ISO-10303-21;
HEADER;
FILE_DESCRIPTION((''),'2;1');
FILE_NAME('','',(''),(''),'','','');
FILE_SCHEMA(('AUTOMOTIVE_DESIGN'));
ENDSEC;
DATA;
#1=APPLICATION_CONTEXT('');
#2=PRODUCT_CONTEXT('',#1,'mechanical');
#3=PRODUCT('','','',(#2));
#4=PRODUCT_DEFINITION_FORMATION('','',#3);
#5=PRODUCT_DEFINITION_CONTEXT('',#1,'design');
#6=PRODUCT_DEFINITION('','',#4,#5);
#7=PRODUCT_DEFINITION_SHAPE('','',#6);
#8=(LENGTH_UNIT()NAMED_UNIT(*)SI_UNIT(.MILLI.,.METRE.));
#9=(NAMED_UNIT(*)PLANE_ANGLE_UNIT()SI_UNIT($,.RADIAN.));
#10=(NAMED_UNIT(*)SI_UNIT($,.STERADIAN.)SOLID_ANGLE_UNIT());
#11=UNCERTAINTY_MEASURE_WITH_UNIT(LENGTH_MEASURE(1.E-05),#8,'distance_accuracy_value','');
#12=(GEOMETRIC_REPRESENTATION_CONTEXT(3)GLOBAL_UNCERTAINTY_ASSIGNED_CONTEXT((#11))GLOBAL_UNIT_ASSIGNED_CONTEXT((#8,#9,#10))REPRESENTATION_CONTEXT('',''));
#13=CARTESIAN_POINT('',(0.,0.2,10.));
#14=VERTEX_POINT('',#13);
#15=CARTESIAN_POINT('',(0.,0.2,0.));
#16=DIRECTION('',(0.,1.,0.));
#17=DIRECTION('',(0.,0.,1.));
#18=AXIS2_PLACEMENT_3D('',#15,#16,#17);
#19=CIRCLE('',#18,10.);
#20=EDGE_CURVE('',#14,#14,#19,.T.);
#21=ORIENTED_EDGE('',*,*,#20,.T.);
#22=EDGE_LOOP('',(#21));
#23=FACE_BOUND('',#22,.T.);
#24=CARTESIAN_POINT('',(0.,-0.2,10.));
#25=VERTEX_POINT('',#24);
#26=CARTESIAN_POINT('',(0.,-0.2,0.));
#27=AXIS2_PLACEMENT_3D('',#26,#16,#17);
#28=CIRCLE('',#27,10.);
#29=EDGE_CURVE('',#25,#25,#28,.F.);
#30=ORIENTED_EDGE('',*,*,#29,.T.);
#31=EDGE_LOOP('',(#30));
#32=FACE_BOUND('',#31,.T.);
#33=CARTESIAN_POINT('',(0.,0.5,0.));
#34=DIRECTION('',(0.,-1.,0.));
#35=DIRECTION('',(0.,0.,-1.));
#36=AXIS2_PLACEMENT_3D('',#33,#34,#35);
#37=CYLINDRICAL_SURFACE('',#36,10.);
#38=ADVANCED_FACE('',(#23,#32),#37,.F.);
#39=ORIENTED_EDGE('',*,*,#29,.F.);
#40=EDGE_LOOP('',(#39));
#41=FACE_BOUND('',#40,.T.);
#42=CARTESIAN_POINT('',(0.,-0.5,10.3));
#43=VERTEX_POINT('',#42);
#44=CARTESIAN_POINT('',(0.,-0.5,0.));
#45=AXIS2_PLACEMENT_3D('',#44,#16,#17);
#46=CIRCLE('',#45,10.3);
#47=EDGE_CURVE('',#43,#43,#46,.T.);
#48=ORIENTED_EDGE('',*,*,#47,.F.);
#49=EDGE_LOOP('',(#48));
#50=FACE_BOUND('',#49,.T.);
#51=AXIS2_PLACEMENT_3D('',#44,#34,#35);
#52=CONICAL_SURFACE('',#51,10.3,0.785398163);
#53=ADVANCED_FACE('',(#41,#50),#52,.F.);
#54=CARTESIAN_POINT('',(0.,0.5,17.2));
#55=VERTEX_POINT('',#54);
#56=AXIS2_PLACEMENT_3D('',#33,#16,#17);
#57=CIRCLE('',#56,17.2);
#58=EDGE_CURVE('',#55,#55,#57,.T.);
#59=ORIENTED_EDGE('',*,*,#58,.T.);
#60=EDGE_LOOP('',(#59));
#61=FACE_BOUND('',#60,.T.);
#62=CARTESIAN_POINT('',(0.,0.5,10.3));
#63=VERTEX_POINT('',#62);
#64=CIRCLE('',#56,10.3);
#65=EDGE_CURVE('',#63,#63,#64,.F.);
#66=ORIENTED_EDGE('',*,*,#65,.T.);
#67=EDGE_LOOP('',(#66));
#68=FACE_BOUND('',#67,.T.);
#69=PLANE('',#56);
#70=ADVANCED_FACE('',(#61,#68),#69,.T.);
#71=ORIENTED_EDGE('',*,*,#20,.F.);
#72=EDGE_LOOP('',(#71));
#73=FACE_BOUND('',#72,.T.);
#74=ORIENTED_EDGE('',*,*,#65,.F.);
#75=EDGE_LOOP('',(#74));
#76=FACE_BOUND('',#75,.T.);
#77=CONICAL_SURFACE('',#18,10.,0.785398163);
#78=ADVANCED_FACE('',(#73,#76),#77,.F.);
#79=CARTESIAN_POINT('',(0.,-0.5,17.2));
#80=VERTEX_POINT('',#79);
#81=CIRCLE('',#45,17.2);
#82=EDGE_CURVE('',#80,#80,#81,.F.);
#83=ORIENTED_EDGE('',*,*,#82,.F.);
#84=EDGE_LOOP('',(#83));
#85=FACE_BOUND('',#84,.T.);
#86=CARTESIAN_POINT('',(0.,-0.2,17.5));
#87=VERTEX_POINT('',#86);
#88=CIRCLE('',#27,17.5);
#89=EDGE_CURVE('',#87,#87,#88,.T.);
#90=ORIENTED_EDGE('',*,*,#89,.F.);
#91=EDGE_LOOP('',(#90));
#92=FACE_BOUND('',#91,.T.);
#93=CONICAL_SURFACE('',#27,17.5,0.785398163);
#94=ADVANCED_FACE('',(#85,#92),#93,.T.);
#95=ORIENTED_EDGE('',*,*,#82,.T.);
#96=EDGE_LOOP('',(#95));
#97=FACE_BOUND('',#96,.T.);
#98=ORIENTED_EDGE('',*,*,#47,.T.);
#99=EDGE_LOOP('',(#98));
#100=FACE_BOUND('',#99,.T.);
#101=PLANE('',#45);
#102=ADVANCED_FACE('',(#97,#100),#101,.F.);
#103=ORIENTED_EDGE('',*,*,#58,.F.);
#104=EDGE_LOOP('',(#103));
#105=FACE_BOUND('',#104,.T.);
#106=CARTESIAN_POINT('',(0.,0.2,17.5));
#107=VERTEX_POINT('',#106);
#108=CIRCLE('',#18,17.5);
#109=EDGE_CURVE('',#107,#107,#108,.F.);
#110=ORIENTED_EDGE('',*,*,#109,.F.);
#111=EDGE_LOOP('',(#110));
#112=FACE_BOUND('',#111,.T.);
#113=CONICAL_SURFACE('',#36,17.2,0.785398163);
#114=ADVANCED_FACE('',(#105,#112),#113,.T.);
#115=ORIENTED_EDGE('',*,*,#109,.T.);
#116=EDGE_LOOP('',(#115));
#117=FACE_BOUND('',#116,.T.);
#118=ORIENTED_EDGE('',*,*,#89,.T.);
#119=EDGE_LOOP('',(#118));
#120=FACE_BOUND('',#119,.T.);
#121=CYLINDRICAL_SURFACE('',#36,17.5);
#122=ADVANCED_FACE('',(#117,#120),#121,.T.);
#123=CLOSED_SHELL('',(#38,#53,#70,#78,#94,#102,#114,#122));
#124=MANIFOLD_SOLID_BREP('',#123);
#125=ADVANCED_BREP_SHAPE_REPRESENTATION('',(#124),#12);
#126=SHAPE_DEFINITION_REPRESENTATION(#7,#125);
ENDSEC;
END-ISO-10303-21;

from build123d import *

# Parameters (mm, degrees)
SKETCH1_R           = 17.5
SKETCH1_R_2         = 10
BOSS_EXTRUDE1_DEPTH = 0.5
CHAMFER1_SIZE       = 0.3


with BuildPart() as part:
    # Sketch1 → Boss-Extrude1 (new body, symmetric)
    with BuildSketch(Plane(origin=(0, 0, 0), x_dir=(1, 0, 0), z_dir=(0, 1, 0))):
        Circle(SKETCH1_R)
        Circle(SKETCH1_R_2, mode=Mode.SUBTRACT)
    extrude(amount=BOSS_EXTRUDE1_DEPTH, both=True)

    # Chamfer1
    chamfer1_edges = [part.edges().sort_by_distance(p)[0] for p in [
        (-17.5, -0.5, 0),
        (-17.5, 0.5, 0),
        (-10, -0.5, 0),
        (-10, 0.5, 0),
    ]]
    chamfer(chamfer1_edges, length=CHAMFER1_SIZE)


solid = part.part
